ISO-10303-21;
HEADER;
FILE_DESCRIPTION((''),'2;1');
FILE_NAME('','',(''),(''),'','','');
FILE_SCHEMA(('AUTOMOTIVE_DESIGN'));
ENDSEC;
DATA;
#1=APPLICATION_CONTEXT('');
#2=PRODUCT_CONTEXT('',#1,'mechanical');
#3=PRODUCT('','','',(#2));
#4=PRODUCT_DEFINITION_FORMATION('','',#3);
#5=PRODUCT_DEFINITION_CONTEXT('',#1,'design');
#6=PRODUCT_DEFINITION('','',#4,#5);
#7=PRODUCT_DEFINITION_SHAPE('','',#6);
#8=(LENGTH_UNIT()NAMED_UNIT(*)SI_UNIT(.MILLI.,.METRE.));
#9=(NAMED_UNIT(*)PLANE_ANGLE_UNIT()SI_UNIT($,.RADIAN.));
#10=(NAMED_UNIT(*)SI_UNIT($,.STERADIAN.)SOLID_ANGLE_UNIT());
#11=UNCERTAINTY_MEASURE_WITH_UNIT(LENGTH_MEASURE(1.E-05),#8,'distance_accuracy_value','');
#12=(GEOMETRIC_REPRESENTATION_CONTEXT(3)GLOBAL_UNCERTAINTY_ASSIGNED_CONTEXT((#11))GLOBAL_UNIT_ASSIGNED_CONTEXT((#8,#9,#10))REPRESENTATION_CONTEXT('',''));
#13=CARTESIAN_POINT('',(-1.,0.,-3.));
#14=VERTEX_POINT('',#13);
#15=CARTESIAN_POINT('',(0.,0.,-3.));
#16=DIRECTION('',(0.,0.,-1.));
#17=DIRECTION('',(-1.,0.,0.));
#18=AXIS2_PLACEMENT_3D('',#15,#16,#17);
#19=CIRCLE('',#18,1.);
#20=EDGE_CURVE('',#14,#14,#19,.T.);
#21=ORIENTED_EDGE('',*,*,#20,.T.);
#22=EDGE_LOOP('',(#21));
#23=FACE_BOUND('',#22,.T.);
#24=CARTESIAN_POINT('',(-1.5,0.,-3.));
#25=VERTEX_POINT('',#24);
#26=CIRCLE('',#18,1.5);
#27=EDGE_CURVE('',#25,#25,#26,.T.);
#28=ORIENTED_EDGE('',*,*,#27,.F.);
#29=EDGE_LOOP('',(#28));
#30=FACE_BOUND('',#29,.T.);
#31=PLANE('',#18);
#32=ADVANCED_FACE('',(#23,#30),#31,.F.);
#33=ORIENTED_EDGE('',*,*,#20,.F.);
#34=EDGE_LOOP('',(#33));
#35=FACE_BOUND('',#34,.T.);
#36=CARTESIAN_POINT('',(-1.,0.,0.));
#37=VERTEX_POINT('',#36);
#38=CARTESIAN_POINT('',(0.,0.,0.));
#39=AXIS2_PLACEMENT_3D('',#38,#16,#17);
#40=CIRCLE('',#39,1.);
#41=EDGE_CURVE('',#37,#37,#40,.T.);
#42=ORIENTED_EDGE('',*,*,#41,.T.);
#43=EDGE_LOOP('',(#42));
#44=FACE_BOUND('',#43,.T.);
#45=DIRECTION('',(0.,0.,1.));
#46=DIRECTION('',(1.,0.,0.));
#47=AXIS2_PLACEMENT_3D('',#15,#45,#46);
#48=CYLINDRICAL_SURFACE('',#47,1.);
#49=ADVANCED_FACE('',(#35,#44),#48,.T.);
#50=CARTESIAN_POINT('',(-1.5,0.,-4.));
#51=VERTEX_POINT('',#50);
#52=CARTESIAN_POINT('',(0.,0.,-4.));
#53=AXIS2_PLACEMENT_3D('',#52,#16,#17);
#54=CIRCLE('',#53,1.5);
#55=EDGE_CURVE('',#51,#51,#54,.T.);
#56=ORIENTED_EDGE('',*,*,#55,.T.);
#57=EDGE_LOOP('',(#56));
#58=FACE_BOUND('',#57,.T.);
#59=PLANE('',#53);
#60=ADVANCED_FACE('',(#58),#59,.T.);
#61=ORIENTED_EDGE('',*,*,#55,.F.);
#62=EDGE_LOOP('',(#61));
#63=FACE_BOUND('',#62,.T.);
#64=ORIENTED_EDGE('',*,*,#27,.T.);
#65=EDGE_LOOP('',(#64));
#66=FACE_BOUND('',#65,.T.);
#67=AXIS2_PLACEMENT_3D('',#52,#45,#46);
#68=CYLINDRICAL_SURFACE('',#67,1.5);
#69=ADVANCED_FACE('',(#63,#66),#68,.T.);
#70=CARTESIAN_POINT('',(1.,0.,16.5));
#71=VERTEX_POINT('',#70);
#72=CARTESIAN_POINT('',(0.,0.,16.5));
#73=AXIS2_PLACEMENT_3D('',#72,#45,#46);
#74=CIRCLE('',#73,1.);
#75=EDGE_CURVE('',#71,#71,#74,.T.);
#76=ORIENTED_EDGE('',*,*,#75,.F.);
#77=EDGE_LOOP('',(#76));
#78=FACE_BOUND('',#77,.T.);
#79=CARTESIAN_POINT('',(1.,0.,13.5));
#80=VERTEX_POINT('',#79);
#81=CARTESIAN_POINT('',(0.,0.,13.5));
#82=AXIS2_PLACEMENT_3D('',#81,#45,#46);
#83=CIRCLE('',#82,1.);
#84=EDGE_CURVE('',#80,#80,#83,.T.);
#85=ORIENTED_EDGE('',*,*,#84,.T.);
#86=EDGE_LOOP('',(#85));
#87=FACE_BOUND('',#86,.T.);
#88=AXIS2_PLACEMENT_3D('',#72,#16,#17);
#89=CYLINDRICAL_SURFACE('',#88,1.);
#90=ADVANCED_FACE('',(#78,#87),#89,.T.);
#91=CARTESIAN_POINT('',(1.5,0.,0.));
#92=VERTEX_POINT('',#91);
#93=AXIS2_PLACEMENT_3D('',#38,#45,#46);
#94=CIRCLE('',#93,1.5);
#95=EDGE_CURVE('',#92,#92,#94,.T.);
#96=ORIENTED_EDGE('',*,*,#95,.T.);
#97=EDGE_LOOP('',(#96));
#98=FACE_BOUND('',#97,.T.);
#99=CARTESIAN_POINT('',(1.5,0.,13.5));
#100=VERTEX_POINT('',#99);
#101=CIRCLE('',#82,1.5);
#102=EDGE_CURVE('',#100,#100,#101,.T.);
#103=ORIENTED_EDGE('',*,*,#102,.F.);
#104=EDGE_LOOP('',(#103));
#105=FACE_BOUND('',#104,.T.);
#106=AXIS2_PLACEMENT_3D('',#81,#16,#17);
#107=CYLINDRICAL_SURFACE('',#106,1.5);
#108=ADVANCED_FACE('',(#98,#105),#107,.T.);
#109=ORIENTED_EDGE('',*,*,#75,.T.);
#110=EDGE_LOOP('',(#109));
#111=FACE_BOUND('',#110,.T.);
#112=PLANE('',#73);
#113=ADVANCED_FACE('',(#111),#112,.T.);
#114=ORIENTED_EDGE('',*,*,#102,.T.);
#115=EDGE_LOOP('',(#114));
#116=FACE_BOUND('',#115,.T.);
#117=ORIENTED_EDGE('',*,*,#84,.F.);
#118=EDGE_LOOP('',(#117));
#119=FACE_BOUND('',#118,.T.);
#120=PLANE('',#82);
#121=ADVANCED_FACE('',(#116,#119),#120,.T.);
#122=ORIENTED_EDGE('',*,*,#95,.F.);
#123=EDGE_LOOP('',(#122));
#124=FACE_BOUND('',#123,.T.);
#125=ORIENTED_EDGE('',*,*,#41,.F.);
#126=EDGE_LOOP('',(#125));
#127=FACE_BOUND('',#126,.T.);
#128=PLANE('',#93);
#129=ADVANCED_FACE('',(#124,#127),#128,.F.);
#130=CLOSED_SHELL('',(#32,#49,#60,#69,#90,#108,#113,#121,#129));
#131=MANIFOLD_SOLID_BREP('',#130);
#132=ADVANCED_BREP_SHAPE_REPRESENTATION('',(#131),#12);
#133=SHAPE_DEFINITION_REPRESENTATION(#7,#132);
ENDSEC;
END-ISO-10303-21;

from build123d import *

# Parameters (mm, degrees)
SKETCH_1_R      = 1.5
EXTRUDE_1_DEPTH = 13.5
SKETCH_2_R      = 1
EXTRUDE_2_DEPTH = 3
SKETCH_3_R      = 1
EXTRUDE_3_DEPTH = 3
SKETCH_4_R      = 1.5
EXTRUDE_4_DEPTH = 1


with BuildPart() as part:
    # 草图1 → 凸台-拉伸1 (new body)
    with BuildSketch(Plane.XY):
        Circle(SKETCH_1_R)
    extrude(amount=EXTRUDE_1_DEPTH)

    # 草图2 → 凸台-拉伸2 (add)
    with BuildSketch(Plane.XY.offset(13.5)):
        Circle(SKETCH_2_R)
    extrude(amount=EXTRUDE_2_DEPTH)

    # 草图3 → 凸台-拉伸3 (add)
    with BuildSketch(Plane(origin=(0, 0, 0), x_dir=(-1, 0, 0), z_dir=(0, 0, -1))):
        Circle(SKETCH_3_R)
    extrude(amount=EXTRUDE_3_DEPTH)

    # 草图4 → 凸台-拉伸4 (add)
    with BuildSketch(Plane(origin=(0, 0, -3), x_dir=(-1, 0, 0), z_dir=(0, 0, -1))):
        Circle(SKETCH_4_R)
    extrude(amount=EXTRUDE_4_DEPTH)


solid = part.part
